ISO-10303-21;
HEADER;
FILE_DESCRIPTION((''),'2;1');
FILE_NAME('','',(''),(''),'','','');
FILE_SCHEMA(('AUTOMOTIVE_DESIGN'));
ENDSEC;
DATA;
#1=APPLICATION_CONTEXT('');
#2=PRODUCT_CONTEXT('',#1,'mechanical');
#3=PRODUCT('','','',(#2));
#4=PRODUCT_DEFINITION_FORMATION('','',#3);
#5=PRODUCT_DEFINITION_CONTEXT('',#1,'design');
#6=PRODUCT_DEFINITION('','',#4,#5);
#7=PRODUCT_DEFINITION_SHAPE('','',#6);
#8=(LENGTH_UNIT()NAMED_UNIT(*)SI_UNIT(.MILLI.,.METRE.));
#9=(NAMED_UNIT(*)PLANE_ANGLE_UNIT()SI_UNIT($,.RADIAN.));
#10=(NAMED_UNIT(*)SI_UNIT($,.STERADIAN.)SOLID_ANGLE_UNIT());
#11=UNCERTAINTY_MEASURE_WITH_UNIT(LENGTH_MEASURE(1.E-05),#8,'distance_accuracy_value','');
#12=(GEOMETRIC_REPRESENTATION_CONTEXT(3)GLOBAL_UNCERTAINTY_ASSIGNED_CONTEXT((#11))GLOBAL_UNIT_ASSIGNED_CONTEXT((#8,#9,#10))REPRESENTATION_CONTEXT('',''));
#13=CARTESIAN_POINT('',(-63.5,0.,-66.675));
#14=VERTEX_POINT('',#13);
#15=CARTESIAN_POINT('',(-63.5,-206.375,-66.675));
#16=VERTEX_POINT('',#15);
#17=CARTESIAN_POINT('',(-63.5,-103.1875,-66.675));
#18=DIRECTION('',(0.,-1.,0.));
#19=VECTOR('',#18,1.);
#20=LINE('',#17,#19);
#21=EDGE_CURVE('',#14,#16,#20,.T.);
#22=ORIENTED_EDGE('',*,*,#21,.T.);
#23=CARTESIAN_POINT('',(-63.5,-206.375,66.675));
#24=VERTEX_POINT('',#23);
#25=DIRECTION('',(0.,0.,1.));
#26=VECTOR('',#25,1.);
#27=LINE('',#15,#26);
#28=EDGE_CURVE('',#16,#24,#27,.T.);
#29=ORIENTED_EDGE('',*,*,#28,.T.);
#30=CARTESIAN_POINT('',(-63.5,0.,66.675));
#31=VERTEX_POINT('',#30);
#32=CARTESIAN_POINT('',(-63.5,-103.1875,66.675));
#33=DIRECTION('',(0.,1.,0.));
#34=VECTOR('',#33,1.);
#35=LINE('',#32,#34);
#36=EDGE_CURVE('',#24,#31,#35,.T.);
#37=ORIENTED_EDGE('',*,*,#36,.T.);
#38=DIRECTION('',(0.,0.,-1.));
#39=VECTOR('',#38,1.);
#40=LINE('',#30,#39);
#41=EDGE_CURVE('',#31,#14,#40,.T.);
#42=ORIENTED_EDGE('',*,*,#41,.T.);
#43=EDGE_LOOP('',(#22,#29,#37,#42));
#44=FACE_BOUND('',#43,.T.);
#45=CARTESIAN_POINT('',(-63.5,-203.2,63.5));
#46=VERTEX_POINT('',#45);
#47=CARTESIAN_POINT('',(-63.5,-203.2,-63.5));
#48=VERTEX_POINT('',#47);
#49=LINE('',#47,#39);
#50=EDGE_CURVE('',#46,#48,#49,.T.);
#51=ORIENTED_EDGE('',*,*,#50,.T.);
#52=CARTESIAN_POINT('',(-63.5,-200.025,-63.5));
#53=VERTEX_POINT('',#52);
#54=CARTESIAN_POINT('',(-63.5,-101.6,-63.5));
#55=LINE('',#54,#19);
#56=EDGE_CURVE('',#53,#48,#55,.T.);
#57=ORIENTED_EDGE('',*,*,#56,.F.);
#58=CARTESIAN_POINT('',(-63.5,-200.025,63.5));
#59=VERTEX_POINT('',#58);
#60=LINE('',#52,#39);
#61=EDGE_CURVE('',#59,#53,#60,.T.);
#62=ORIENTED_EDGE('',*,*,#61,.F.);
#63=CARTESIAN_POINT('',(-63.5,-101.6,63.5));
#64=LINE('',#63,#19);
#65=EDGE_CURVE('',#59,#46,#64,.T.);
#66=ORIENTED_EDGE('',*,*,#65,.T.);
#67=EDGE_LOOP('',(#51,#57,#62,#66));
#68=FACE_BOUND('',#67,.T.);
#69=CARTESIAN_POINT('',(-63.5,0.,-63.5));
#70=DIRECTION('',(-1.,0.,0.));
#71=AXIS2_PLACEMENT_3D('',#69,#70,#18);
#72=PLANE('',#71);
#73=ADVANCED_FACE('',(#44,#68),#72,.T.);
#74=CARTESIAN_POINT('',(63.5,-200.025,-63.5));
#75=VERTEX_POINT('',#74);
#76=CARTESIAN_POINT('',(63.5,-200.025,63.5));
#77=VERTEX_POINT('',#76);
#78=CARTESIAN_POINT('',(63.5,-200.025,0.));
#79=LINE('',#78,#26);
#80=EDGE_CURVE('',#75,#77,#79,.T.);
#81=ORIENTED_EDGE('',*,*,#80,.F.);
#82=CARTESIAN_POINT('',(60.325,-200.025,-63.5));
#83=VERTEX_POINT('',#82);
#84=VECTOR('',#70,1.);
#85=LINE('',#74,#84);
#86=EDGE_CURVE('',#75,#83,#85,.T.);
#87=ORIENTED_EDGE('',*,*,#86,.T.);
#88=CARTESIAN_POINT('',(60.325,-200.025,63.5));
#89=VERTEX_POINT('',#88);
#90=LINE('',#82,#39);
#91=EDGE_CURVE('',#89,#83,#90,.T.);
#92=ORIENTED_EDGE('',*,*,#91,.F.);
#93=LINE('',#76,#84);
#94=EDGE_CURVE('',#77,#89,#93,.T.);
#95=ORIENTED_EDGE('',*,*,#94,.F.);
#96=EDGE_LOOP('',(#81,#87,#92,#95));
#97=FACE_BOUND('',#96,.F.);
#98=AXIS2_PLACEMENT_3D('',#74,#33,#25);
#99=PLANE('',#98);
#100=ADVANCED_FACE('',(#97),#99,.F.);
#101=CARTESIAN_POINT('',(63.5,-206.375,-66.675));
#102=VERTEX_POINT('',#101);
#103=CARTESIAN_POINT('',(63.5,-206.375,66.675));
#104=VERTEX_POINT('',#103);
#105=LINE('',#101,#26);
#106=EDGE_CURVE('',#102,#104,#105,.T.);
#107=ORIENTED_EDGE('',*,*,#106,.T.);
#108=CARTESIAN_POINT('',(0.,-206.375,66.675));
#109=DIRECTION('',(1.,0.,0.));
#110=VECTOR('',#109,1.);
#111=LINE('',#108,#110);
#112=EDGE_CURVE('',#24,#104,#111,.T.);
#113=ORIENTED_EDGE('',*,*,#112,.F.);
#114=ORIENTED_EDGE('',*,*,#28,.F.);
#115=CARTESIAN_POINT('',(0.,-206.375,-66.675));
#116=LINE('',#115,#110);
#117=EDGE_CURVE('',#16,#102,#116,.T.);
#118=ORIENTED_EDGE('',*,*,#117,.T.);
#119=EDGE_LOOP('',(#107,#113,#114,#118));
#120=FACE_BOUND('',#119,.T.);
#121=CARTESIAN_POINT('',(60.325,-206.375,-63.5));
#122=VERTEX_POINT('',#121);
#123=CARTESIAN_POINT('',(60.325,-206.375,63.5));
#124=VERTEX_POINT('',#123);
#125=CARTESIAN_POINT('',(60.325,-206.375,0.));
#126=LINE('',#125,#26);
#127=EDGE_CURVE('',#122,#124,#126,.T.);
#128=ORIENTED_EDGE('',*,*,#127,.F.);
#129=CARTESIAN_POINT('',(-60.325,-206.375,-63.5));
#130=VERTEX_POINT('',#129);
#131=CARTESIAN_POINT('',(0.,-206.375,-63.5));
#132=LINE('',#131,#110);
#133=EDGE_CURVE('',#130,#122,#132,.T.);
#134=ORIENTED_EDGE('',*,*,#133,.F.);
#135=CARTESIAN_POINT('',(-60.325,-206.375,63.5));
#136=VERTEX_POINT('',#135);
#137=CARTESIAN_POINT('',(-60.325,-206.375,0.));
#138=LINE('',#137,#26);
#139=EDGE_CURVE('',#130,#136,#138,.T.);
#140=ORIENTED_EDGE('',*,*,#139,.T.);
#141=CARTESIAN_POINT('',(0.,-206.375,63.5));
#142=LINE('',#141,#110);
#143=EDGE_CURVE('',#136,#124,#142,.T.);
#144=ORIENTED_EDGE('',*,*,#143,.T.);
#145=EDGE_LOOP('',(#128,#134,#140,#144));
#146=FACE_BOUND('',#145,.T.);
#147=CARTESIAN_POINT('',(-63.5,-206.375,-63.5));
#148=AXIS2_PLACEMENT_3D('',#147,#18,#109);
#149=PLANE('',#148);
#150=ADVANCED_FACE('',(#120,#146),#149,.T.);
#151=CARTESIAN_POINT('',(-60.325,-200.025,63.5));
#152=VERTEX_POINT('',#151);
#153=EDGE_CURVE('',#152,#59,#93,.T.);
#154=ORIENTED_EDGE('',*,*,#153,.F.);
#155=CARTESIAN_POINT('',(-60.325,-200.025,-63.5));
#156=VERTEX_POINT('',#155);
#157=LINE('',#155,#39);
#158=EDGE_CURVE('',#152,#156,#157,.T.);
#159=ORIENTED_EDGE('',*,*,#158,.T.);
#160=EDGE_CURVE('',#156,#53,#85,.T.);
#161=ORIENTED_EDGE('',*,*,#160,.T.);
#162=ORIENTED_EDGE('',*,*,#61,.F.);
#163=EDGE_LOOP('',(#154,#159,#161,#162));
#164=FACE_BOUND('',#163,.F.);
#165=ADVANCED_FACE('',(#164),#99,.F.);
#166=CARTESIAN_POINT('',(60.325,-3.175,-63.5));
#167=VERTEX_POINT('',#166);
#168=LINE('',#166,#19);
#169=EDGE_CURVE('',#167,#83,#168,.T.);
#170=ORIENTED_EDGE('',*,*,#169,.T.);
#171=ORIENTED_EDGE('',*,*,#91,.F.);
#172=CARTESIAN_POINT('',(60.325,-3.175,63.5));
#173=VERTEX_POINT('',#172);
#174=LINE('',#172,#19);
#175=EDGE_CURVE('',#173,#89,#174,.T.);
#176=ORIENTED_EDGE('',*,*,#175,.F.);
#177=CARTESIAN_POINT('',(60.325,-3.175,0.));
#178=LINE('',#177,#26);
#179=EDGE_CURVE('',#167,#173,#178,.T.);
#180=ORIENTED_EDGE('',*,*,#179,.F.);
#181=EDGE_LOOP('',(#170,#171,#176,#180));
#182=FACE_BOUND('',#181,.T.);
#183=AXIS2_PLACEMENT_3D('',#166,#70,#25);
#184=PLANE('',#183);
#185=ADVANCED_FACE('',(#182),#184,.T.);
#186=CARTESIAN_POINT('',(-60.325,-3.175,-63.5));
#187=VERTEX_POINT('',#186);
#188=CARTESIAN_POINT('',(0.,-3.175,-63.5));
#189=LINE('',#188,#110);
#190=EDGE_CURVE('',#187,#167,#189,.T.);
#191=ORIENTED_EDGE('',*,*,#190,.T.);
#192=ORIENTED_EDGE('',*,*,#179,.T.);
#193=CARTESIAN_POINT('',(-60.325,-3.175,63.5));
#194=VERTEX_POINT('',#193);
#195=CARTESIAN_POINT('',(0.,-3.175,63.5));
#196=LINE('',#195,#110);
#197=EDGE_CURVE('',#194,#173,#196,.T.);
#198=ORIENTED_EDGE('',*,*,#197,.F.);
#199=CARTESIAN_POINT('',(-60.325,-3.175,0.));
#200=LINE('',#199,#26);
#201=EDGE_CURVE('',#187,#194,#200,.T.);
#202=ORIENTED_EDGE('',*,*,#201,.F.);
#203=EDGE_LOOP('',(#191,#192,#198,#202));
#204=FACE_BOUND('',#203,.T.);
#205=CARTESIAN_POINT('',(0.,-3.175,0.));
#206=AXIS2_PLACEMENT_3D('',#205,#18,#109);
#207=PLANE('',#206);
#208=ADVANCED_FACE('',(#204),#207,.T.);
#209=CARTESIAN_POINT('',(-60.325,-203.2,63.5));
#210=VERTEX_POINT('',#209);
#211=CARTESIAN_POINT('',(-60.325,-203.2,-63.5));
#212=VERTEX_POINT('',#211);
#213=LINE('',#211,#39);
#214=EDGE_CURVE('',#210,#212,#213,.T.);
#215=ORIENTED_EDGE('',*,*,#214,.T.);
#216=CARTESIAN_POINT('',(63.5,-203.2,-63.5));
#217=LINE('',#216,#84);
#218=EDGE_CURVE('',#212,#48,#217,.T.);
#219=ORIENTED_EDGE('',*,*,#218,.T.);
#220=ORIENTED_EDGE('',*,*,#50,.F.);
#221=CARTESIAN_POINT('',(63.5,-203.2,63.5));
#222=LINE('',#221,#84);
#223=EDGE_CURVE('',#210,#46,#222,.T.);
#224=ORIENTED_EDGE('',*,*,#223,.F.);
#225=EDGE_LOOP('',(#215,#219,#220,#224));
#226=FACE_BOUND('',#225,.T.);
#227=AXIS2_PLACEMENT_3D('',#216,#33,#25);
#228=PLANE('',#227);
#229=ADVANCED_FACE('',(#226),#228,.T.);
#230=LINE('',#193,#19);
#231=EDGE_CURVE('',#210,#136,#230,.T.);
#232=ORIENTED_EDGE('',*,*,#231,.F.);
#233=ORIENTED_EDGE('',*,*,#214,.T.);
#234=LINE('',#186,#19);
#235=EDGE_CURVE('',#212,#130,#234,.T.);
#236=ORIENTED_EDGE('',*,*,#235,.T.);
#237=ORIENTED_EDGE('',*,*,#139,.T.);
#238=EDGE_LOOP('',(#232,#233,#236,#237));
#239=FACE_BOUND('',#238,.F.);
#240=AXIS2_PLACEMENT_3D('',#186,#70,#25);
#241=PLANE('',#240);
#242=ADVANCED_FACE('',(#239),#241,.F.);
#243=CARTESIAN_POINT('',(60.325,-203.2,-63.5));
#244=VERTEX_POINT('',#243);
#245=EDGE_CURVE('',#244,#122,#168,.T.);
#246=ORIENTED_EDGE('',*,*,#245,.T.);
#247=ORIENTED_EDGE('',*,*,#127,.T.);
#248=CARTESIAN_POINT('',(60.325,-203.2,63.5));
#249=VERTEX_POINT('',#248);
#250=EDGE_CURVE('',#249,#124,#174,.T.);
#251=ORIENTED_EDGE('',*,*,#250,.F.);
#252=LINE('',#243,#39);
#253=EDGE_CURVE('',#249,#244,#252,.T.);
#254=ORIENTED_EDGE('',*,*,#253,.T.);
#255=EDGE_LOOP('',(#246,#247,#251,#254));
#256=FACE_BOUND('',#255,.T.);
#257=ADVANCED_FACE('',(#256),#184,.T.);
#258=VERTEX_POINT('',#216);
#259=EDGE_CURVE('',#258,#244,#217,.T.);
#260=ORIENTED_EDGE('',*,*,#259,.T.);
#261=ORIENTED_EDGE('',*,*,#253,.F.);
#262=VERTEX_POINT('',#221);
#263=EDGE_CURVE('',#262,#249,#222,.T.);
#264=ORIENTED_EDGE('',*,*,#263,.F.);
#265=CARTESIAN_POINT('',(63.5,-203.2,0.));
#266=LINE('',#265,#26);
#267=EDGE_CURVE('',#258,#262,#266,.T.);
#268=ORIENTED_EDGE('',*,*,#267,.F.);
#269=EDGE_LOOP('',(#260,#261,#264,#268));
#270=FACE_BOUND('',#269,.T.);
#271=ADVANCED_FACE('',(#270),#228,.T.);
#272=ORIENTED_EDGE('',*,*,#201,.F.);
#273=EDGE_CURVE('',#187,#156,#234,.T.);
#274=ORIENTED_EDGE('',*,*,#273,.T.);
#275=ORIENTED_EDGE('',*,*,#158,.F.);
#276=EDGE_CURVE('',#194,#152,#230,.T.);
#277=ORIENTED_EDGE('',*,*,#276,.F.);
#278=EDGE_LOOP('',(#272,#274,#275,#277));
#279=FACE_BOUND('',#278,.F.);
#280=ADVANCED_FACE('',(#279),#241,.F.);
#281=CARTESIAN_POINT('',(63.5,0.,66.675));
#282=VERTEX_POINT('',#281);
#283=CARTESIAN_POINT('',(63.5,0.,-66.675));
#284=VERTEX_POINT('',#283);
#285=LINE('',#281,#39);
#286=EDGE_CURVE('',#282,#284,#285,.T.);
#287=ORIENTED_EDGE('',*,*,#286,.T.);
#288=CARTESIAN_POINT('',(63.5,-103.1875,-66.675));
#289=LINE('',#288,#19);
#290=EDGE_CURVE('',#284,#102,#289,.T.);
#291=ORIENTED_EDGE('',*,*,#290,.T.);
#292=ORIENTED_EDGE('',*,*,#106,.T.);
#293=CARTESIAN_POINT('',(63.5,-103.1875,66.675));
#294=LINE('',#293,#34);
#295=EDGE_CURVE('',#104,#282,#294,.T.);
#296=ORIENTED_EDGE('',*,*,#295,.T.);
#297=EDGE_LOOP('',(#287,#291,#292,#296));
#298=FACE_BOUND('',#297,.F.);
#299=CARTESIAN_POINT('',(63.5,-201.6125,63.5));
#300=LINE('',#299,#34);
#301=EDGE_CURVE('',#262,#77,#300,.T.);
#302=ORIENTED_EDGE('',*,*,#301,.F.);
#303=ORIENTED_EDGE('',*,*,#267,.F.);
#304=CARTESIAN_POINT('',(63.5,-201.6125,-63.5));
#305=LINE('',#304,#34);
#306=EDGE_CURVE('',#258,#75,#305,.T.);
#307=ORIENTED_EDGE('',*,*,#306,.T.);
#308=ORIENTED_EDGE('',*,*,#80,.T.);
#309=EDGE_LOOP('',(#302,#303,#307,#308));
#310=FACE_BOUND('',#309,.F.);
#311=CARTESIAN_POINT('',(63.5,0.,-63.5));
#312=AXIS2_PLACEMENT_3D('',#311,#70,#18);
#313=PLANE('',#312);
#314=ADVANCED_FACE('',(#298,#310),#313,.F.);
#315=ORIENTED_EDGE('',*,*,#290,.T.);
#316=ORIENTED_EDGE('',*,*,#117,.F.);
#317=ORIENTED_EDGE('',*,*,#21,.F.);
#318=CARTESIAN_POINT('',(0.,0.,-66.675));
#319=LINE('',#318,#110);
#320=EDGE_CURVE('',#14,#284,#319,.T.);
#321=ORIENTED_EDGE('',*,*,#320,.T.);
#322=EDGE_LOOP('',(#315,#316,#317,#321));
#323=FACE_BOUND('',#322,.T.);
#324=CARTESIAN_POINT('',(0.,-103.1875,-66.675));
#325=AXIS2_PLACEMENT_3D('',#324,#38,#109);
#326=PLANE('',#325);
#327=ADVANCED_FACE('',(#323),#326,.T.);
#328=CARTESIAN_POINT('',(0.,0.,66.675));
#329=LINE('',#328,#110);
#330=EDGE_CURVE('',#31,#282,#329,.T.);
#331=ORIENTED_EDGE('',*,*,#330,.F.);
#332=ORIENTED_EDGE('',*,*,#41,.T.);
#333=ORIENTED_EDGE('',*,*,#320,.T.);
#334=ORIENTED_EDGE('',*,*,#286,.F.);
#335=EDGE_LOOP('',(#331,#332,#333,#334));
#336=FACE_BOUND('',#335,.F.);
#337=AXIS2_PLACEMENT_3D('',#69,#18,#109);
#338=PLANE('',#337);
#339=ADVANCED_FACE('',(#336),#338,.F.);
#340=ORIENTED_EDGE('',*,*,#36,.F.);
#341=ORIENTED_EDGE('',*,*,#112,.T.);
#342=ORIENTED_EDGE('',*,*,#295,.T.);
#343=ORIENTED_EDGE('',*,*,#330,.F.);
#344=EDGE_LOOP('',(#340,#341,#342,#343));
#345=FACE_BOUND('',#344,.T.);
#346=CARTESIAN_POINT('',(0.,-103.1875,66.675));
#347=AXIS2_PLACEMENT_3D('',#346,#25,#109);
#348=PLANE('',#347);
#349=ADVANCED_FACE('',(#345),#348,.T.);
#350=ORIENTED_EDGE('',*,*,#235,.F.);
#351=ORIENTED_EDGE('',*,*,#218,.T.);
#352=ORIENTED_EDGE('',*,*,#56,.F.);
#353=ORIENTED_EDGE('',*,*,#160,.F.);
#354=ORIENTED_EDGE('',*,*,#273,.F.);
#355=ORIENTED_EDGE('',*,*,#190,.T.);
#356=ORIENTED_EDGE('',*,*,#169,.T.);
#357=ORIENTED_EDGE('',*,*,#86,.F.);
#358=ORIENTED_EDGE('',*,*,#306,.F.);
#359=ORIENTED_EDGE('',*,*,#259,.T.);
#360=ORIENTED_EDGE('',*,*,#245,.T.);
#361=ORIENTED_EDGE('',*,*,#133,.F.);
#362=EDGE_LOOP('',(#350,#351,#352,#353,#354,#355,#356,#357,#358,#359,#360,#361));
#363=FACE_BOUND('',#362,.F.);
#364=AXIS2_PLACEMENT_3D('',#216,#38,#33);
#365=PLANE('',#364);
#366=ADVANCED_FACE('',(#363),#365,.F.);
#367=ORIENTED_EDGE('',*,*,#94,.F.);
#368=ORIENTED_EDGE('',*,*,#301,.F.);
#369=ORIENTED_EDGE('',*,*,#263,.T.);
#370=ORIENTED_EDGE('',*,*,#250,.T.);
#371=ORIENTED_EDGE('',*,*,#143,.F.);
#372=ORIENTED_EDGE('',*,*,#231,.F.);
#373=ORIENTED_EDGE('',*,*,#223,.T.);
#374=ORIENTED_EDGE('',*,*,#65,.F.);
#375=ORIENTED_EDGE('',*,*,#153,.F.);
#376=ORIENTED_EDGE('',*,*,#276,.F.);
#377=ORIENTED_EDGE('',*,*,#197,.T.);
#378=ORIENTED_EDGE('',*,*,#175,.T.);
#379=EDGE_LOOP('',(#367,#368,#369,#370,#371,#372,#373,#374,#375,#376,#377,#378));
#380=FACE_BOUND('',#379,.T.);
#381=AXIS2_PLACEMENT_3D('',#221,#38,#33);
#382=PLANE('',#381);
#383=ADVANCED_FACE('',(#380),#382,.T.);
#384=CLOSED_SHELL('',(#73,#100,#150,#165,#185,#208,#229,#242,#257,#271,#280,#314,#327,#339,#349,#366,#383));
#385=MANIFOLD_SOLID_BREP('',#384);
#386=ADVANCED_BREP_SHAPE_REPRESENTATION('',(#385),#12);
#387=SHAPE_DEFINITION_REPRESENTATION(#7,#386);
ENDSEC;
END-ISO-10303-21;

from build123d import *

# Parameters (mm, degrees)
F0_W     = 127
F0_H     = 127
F1_DEPTH = 3.175
F2_W     = 3.175
F2_H     = 127
F3_DEPTH = 203.2
F4_W     = 127
F4_H     = 206.375
F5_DEPTH = 3.175
F6_W     = 127
F6_H     = 206.375
F7_DEPTH = 3.175
F8_W     = 3.175
F8_H     = 127
F9_DEPTH = 127.001


with BuildPart() as f1:
    # F0 (on Front) → F1 (new body)
    with BuildSketch(Plane.XZ):
        Rectangle(F0_W, F0_H)
    extrude(amount=F1_DEPTH)

    # F2 (on face) → F3 (join)
    with BuildSketch(Plane.XZ.offset(3.175)):
        with Locations((-61.9125, 0)):
            Rectangle(F2_W, F2_H)
        with Locations((61.9125, 0)):
            Rectangle(F2_W, F2_H)
    extrude(amount=F3_DEPTH)

    # F4 (on face) → F5 (join)
    with BuildSketch(Plane.XY.offset(63.5)):
        with Locations((0, -103.1875)):
            Rectangle(F4_W, F4_H)
    extrude(amount=F5_DEPTH)

    # F6 (on face) → F7 (join)
    with BuildSketch(Plane(origin=(0, 0, -63.5), x_dir=(1, 0, 0), z_dir=(0, 0, -1))):
        with Locations((0, 103.1875)):
            Rectangle(F6_W, F6_H)
    extrude(amount=F7_DEPTH)

    # F8 (on face) → F9 (cut, through all)
    with BuildSketch(Plane.YZ.offset(63.5)):
        with Locations((-201.6125, 0)):
            Rectangle(F8_W, F8_H)
    extrude(amount=-F9_DEPTH, mode=Mode.SUBTRACT)


solid = f1.part
